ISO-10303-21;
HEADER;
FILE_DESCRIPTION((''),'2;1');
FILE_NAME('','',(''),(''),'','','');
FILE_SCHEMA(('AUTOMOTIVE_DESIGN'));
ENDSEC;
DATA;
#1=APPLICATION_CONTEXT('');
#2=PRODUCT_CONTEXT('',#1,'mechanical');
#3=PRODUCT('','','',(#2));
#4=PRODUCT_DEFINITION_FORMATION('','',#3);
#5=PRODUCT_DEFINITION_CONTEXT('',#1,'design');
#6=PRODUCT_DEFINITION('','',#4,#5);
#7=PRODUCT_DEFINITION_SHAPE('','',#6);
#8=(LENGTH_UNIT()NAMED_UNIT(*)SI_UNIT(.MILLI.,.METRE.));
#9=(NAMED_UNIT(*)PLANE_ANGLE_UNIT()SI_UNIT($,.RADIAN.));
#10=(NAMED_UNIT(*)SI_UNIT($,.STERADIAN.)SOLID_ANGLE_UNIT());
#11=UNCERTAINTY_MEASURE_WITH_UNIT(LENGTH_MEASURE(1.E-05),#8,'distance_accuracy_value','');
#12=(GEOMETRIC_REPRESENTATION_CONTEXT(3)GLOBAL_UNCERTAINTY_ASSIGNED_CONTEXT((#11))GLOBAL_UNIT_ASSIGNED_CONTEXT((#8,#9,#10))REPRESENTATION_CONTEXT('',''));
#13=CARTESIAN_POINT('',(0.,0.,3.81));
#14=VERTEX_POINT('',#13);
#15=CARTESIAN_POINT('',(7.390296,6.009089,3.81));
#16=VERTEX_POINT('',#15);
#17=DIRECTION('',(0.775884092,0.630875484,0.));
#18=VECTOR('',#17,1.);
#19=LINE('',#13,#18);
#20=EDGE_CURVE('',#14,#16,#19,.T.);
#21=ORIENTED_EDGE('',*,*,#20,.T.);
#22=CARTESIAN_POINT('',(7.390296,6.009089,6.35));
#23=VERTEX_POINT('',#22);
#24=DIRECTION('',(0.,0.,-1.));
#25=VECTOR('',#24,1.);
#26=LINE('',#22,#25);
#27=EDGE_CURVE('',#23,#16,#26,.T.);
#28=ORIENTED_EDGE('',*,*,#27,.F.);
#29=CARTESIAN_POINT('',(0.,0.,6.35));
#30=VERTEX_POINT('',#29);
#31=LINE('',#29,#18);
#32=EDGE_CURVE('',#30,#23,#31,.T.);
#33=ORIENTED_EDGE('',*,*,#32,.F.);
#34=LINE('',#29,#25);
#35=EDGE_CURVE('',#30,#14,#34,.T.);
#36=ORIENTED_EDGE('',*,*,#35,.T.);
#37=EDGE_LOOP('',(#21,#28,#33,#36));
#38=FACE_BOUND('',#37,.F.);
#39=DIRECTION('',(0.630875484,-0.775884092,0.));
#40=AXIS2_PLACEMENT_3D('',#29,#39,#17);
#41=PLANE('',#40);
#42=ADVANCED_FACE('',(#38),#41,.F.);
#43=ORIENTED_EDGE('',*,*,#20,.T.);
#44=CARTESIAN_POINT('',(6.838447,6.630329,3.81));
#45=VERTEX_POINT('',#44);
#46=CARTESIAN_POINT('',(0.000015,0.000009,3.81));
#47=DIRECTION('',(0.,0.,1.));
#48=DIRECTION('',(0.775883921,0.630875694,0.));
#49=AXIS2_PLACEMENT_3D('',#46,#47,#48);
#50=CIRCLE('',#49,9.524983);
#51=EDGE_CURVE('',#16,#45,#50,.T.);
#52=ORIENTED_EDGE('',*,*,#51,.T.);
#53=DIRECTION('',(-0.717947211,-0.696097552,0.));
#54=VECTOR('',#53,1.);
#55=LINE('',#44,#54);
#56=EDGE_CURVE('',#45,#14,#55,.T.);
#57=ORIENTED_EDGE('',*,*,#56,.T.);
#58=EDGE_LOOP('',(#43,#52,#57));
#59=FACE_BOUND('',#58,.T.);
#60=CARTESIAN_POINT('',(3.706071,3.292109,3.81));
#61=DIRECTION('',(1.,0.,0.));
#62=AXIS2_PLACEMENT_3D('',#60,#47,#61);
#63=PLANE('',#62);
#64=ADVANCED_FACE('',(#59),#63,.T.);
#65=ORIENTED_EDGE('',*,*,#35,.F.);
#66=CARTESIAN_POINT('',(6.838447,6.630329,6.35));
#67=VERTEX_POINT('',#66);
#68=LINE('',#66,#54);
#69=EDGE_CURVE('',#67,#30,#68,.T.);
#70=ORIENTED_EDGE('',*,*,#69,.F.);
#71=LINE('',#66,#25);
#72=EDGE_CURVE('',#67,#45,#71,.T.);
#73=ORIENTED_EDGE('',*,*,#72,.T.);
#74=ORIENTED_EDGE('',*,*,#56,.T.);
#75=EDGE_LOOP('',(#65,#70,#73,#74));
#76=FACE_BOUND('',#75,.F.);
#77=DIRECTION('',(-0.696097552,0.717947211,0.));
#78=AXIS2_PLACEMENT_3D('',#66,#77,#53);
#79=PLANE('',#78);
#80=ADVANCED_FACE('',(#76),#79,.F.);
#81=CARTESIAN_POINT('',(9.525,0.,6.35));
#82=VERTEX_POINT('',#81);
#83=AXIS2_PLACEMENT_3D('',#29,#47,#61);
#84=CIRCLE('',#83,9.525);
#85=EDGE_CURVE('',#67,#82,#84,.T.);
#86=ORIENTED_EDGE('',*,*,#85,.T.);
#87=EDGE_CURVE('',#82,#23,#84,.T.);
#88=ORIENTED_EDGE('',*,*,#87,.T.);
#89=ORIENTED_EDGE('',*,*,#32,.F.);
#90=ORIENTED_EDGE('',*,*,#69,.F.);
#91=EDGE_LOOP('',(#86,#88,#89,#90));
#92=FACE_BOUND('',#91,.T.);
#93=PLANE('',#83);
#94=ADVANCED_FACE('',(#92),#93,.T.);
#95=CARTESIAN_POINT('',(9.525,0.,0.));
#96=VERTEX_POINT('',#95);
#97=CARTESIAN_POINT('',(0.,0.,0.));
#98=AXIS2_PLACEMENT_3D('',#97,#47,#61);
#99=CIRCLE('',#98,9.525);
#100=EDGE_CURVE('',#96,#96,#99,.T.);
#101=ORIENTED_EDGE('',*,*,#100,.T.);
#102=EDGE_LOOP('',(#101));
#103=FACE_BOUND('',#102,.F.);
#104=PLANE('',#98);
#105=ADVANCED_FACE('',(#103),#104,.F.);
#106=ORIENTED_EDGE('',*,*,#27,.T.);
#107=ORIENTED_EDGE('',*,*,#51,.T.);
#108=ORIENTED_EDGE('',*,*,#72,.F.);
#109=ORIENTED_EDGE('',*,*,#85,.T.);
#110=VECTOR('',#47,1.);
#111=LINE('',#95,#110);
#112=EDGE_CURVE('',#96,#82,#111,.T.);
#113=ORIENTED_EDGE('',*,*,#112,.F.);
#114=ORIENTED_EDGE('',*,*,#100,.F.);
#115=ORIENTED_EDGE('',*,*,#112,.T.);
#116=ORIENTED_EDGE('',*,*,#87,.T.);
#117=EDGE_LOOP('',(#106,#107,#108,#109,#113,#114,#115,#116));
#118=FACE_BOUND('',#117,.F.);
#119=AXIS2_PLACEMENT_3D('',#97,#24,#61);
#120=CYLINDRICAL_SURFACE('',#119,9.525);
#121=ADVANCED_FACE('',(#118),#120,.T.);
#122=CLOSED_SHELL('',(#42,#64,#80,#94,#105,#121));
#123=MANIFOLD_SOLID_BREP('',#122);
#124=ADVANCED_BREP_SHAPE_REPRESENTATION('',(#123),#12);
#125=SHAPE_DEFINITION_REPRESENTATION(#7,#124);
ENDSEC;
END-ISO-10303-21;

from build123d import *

# Parameters (mm, degrees)
F0_R     = 9.525
F1_DEPTH = 6.35
F3_DEPTH = 2.54


with BuildPart() as f1:
    # F0 (on Top) → F1 (new body)
    with BuildSketch(Plane.XY):
        Circle(F0_R)
    extrude(amount=F1_DEPTH)

    # F2 (on face) → F3 (cut)
    with BuildSketch(Plane.XY.offset(6.35)):
        with BuildLine():
            ThreePointArc((7.390296, 6.009089), (7.121149, 6.32573), (6.838447, 6.630329))
            Line((6.838447, 6.630329), (0, 0))
            Line((0, 0), (7.390296, 6.009089))
        make_face()
    extrude(amount=-F3_DEPTH, mode=Mode.SUBTRACT)


solid = f1.part
